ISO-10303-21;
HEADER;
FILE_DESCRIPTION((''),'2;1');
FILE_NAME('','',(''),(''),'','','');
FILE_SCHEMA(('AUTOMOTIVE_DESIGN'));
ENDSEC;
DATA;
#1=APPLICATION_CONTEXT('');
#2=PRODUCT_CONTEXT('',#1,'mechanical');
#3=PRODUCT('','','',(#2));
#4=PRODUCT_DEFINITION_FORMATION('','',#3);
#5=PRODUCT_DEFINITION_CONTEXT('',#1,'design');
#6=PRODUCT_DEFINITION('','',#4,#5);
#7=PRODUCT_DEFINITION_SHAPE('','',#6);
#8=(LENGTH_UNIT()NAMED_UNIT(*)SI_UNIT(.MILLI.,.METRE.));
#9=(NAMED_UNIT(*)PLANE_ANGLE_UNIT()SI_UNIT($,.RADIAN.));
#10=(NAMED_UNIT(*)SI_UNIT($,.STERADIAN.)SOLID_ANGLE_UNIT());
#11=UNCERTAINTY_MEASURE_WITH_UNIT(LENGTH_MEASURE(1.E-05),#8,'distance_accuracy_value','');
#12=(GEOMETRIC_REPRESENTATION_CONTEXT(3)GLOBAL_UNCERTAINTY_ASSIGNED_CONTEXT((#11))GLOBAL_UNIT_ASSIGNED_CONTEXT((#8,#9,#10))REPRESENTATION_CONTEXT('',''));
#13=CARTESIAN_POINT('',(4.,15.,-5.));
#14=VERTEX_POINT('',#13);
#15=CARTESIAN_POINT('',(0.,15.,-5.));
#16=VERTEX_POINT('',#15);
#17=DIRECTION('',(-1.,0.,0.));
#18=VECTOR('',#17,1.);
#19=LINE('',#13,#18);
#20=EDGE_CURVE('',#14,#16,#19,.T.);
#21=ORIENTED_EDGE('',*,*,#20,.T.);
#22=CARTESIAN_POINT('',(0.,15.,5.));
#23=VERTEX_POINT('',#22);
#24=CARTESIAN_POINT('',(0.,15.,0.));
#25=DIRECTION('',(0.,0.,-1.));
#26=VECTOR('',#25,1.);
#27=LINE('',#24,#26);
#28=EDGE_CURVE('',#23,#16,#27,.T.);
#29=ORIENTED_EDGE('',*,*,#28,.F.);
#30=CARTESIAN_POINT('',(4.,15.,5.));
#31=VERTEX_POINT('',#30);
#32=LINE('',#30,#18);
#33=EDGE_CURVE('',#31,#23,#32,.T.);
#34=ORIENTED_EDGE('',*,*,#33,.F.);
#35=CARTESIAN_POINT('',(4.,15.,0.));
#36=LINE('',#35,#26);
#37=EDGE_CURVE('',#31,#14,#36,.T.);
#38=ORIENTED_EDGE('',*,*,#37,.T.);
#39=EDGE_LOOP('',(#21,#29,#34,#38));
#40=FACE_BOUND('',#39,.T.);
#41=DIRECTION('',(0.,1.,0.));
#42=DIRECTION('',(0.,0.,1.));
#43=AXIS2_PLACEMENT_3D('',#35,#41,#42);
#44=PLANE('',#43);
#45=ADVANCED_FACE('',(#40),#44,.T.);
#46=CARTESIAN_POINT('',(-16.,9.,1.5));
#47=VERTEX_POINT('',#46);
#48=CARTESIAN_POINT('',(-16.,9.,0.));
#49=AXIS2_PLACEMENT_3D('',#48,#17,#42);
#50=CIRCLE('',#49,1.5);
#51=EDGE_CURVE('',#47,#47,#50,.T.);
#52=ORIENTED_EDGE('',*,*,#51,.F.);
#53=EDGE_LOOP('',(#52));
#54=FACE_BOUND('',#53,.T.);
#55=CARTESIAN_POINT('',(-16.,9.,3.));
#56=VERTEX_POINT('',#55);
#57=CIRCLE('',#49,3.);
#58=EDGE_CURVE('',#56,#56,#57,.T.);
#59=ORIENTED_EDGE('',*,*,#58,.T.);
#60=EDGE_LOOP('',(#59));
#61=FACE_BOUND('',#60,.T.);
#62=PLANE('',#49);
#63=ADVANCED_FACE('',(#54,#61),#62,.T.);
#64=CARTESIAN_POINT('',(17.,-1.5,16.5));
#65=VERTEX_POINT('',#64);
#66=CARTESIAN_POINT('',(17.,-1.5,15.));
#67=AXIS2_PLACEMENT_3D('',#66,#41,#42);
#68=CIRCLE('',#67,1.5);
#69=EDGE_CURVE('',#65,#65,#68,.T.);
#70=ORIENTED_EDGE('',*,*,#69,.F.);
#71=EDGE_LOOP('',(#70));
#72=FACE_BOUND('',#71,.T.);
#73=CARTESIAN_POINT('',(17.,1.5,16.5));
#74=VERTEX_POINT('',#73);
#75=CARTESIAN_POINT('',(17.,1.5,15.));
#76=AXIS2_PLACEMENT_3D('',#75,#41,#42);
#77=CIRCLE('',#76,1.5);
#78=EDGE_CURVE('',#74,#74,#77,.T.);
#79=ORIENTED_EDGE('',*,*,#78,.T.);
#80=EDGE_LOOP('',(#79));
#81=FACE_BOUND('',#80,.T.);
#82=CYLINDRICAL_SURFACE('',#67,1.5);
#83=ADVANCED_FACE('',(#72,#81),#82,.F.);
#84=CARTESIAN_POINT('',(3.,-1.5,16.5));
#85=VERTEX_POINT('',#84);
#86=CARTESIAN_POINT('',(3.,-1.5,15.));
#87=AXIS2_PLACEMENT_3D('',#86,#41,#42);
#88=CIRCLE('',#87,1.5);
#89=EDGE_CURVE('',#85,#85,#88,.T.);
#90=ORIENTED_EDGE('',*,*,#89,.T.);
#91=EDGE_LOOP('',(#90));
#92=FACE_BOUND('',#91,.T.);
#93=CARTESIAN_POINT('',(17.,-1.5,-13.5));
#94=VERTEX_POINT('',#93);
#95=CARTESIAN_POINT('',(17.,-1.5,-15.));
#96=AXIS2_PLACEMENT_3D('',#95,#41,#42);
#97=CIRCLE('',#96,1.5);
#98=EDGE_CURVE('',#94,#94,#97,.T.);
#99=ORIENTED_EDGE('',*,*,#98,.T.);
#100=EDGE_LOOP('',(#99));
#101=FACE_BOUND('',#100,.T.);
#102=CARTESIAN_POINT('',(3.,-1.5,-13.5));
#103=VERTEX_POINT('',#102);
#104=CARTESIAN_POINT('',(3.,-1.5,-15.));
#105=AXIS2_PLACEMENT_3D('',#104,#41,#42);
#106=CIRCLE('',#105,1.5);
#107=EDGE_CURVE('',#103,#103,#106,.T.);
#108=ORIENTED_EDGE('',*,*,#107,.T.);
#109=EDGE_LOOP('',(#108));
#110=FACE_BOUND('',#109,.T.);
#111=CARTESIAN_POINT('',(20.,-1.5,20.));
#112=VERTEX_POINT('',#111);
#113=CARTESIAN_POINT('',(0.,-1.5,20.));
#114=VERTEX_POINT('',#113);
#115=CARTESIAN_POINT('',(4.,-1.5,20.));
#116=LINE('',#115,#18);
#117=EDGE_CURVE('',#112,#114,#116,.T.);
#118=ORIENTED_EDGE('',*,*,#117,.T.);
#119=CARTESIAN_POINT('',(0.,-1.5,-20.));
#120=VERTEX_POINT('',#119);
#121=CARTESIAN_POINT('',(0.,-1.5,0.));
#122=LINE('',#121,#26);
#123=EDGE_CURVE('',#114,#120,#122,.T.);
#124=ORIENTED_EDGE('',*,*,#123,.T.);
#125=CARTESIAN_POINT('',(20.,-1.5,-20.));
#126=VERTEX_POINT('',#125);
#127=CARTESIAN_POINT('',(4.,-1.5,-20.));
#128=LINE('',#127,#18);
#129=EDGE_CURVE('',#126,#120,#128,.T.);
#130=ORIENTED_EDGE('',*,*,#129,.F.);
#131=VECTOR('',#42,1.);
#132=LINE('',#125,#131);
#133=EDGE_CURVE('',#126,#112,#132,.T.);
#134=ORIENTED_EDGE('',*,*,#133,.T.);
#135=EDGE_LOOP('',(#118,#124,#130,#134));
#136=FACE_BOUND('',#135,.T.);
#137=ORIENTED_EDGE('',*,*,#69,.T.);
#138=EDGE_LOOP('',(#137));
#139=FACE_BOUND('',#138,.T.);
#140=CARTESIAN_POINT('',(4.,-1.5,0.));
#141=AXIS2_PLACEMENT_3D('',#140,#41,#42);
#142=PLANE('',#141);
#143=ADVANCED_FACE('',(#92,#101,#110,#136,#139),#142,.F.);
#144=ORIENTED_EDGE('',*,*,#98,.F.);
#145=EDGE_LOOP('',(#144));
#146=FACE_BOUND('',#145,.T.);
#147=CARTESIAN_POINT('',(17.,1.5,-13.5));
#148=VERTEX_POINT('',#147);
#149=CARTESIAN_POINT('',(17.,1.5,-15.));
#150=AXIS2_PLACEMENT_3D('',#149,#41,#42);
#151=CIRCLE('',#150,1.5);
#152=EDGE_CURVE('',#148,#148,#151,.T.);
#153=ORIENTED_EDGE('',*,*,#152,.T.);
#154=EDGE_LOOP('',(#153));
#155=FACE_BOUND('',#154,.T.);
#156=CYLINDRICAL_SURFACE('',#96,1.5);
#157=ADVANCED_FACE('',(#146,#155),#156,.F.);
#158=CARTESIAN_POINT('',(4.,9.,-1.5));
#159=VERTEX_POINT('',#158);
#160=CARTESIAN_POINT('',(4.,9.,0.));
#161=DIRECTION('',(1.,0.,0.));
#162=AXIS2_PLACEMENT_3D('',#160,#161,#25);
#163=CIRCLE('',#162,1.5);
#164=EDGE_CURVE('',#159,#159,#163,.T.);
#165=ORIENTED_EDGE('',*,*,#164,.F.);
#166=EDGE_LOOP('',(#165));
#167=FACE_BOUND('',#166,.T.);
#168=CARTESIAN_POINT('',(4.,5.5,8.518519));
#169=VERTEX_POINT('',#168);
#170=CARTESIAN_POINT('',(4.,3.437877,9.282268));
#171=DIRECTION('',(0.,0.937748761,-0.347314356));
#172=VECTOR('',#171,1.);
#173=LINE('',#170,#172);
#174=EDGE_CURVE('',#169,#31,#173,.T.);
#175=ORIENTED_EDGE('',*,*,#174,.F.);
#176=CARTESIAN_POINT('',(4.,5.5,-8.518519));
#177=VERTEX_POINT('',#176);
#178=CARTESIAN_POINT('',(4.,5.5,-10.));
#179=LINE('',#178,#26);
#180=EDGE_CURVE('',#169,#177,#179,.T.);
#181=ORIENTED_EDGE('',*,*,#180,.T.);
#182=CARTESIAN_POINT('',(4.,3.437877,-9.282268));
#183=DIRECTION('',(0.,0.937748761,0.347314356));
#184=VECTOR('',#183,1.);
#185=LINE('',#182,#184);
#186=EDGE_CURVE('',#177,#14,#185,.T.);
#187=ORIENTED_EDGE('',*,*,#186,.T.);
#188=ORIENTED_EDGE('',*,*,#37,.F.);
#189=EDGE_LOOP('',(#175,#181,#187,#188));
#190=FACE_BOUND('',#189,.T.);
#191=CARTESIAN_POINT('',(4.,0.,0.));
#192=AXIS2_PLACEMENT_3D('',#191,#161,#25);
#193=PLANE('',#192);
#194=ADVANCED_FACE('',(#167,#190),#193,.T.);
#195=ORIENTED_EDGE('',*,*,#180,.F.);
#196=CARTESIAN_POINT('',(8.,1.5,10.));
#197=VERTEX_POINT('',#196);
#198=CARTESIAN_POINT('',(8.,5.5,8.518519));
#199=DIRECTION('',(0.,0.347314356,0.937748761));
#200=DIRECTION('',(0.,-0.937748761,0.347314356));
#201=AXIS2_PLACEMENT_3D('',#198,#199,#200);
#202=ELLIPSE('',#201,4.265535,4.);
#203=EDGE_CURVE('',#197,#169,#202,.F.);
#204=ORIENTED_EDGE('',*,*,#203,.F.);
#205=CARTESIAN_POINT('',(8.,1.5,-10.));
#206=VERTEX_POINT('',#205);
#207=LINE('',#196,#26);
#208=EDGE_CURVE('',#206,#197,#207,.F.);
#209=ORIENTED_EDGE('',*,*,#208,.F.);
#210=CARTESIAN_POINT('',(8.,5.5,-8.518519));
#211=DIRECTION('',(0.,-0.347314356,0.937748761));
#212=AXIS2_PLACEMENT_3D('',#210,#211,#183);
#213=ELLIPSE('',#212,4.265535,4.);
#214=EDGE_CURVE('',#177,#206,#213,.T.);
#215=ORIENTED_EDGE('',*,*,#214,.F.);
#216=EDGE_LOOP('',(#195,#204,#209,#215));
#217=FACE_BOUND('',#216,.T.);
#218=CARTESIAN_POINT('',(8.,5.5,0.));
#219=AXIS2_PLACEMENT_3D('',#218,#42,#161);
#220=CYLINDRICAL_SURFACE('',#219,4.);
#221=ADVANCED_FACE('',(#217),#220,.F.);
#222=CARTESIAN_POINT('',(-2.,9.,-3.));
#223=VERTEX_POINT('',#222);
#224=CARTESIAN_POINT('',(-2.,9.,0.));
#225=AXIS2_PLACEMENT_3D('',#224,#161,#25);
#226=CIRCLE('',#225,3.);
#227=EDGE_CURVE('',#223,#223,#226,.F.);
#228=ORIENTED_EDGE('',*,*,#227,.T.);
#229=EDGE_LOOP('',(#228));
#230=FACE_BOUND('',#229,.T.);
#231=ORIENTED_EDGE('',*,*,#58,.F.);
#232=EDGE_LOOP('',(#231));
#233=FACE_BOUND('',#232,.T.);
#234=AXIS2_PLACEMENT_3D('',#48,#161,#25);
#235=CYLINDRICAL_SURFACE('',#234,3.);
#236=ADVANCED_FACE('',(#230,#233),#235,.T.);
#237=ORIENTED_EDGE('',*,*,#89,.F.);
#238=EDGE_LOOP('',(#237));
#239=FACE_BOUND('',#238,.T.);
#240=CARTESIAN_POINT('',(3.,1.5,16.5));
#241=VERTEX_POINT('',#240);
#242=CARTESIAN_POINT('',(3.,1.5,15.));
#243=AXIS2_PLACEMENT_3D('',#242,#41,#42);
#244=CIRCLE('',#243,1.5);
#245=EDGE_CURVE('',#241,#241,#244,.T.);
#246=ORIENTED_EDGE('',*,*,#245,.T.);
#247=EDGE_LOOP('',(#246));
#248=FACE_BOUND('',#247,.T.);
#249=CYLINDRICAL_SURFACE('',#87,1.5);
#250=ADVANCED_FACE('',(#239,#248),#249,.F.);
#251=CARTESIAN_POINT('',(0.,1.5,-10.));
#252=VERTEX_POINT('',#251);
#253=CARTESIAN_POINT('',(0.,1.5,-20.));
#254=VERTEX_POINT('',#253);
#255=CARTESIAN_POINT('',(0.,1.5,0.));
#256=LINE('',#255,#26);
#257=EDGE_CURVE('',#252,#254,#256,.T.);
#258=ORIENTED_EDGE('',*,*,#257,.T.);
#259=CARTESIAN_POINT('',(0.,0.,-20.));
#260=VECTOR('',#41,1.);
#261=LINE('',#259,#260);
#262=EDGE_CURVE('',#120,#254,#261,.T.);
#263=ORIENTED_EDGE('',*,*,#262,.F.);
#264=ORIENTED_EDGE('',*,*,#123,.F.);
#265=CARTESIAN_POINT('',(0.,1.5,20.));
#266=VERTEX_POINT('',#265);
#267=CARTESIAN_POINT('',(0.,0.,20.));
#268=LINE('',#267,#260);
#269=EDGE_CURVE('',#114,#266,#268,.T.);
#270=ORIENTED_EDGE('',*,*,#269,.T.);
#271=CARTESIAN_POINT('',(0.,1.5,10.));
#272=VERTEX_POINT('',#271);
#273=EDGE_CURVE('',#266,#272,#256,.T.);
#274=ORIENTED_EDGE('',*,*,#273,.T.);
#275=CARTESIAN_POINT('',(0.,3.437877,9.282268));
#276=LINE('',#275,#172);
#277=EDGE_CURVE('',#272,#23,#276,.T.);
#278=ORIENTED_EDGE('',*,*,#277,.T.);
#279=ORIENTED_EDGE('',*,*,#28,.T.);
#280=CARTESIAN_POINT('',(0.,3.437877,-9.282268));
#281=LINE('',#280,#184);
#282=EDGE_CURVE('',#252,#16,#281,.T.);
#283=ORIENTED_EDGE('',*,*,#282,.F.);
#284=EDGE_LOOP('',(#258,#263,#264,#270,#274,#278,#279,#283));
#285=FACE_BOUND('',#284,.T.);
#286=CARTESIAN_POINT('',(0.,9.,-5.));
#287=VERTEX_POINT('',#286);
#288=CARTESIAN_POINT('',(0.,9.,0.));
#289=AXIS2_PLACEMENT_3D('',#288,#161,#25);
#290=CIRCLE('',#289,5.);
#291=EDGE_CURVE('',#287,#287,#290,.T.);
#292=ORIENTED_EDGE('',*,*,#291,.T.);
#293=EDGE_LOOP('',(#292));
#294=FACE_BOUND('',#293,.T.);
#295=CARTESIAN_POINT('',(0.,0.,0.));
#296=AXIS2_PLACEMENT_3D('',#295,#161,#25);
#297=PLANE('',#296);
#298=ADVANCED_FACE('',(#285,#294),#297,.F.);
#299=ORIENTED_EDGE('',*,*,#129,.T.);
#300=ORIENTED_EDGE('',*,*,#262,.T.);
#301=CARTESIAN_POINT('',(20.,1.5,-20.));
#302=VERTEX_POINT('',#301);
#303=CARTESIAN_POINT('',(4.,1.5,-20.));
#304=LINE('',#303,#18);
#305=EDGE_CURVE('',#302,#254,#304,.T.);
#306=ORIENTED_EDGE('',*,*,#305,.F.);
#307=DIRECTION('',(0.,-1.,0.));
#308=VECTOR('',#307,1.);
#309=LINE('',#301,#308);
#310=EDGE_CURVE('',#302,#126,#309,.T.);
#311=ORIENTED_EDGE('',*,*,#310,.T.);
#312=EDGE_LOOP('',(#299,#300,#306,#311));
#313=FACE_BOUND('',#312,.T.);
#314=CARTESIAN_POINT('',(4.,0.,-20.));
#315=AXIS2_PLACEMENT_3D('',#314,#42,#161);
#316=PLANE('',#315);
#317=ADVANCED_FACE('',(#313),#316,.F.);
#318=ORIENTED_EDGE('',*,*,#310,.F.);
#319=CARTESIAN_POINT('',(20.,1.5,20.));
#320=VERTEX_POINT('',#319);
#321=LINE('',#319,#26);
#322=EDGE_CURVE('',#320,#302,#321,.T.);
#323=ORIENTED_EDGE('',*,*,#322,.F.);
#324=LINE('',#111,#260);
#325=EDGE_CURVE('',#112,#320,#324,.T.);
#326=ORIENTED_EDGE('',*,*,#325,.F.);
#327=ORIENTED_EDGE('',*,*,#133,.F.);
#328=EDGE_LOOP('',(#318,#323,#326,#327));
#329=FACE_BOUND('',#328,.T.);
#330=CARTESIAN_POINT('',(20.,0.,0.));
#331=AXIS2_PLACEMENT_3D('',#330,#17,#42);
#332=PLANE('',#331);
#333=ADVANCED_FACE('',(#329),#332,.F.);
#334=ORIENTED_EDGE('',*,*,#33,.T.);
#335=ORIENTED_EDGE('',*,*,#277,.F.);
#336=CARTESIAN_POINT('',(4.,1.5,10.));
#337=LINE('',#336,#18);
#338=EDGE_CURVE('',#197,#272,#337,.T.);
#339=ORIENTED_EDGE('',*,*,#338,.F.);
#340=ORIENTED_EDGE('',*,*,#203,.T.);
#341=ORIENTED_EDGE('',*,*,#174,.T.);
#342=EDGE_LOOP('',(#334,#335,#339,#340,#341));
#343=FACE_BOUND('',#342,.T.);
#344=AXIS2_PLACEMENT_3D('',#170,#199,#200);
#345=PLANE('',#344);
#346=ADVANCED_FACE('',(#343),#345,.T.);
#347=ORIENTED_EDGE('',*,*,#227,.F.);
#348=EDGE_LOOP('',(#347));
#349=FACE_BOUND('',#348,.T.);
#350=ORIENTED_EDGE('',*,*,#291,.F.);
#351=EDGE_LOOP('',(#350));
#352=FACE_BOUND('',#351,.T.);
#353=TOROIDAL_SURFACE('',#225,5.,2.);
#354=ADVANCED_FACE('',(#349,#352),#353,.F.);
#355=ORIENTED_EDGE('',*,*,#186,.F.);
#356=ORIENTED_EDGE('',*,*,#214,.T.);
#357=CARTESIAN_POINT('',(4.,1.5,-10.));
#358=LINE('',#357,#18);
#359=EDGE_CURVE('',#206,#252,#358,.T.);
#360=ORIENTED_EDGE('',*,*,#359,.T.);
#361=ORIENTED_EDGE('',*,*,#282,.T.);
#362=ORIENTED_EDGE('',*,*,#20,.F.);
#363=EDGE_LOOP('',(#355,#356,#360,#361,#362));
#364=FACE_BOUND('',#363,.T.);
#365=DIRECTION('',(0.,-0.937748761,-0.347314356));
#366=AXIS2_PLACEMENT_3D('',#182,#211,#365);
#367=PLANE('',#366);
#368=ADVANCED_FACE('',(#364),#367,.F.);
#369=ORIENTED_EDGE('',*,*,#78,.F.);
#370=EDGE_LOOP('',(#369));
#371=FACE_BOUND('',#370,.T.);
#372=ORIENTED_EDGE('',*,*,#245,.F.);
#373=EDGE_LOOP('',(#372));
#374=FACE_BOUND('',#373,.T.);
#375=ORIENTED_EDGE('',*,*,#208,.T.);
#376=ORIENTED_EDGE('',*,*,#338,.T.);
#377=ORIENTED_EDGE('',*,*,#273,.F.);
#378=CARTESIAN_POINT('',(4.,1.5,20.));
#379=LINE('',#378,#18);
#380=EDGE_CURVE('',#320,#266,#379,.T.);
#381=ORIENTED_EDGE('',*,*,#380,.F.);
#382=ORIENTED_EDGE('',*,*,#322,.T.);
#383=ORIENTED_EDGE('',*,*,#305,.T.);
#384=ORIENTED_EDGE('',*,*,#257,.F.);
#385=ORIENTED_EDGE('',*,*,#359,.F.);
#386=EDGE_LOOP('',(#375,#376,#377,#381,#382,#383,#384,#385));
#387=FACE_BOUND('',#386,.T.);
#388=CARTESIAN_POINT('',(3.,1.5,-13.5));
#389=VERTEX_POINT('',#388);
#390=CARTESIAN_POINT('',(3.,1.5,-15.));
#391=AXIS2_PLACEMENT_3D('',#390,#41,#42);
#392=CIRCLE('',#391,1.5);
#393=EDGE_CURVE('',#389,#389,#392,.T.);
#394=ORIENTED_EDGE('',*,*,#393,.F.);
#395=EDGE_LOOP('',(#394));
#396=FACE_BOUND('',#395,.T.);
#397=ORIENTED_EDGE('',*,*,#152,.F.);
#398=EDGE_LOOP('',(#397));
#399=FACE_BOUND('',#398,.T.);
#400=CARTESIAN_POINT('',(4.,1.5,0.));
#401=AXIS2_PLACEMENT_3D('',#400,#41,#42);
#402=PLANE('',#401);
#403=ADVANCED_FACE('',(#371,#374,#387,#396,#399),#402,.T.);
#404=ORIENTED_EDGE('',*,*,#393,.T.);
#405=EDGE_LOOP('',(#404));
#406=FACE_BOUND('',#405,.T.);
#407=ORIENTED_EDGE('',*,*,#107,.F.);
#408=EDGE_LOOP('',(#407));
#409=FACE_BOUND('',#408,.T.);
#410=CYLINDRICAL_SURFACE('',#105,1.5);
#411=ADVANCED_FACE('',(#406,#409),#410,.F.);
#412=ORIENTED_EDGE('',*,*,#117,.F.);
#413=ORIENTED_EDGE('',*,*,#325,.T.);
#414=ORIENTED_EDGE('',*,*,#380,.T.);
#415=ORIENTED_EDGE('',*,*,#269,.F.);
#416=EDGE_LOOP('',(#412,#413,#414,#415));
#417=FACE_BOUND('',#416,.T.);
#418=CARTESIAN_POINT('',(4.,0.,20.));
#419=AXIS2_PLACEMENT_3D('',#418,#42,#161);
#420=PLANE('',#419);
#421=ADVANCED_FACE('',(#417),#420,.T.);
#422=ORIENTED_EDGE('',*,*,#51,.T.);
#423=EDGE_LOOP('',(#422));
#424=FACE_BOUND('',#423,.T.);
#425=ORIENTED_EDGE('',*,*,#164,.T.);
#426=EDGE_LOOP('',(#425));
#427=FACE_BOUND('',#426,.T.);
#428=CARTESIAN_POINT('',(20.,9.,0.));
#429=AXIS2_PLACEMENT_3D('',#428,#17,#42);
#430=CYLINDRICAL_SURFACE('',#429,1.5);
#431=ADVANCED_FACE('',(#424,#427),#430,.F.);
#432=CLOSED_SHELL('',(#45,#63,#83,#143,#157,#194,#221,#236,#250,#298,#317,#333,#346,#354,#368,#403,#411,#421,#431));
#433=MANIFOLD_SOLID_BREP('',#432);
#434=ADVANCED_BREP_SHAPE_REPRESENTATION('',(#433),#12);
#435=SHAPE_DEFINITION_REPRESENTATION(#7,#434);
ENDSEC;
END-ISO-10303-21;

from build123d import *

# Parameters (mm, degrees)
SKETCH2_W           = 40
SKETCH2_H           = 3
BOSS_EXTRUDE1_DEPTH = 4
SKETCH3_W           = 40
SKETCH3_H           = 3
BOSS_EXTRUDE2_DEPTH = 16
SKETCH4_R           = 3
BOSS_EXTRUDE3_DEPTH = 16
SKETCH5_R           = 1.5
CUT_EXTRUDE1_DEPTH  = 37
SKETCH6_R           = 1.5
CUT_EXTRUDE2_DEPTH  = 4
FILLET1_R           = 4
FILLET2_R           = 2


with BuildPart() as part:
    # Sketch2 → Boss-Extrude1 (new body)
    with BuildSketch(Plane(origin=(0, 0, 0), x_dir=(0, 0, -1), z_dir=(1, 0, 0))):
        Polygon((-5, 15), (-10, 1.5), (10, 1.5), (5, 15), align=None)
        Rectangle(SKETCH2_W, SKETCH2_H)
    extrude(amount=BOSS_EXTRUDE1_DEPTH)

    # Sketch3 → Boss-Extrude2 (add)
    with BuildSketch(Plane(origin=(4, 0, 0), x_dir=(0, 0, -1), z_dir=(1, 0, 0))):
        Rectangle(SKETCH3_W, SKETCH3_H)
    extrude(amount=BOSS_EXTRUDE2_DEPTH)

    # Sketch4 → Boss-Extrude3 (add)
    with BuildSketch(Plane.ZY):
        with Locations((0, 9)):
            Circle(SKETCH4_R)
    extrude(amount=BOSS_EXTRUDE3_DEPTH)

    # Sketch5 → Cut-Extrude1 (cut, through all)
    with BuildSketch(Plane.ZY.offset(16)):
        with Locations((0, 9)):
            Circle(SKETCH5_R)
    extrude(amount=-CUT_EXTRUDE1_DEPTH, mode=Mode.SUBTRACT)

    # Sketch6 → Cut-Extrude2 (cut, through all)
    with BuildSketch(Plane(origin=(0, 1.5, 0), x_dir=(1, 0, 0), z_dir=(0, 1, 0))):
        with BuildLine():
            ThreePointArc((18.5, 15), (17, 16.5), (15.5, 15))
            Line((15.5, 15), (17, 15))
            Line((17, 15), (17, 13.5))
            ThreePointArc((17, 13.5), (18.060660172, 13.939339828), (18.5, 15))
        make_face()
        with BuildLine():
            Line((17, 15), (15.5, 15))
            ThreePointArc((15.5, 15), (15.939339828, 13.939339828), (17, 13.5))
            Line((17, 13.5), (17, 15))
        make_face()
        with BuildLine():
            ThreePointArc((18.5, -15), (18.060660172, -13.939339828), (17, -13.5))
            Line((17, -13.5), (17, -15))
            Line((17, -15), (15.5, -15))
            ThreePointArc((15.5, -15), (17, -16.5), (18.5, -15))
        make_face()
        with BuildLine():
            Line((17, -15), (17, -13.5))
            ThreePointArc((17, -13.5), (15.939339828, -13.939339828), (15.5, -15))
            Line((15.5, -15), (17, -15))
        make_face()
        with BuildLine():
            ThreePointArc((4.5, -15), (4.060660172, -13.939339828), (3, -13.5))
            Line((3, -13.5), (3, -15))
            Line((3, -15), (4.5, -15))
        make_face()
        with BuildLine():
            Line((3, -15), (3, -13.5))
            ThreePointArc((3, -13.5), (1.939339828, -16.060660172), (4.5, -15))
            Line((4.5, -15), (3, -15))
        make_face()
        with Locations((3, 15)):
            Circle(SKETCH6_R)
    extrude(amount=-CUT_EXTRUDE2_DEPTH, mode=Mode.SUBTRACT)

    # Fillet1
    fillet1_edges = [part.edges().sort_by_distance(p)[0] for p in [
        (4, 1.5, 0),
    ]]
    fillet(fillet1_edges, radius=FILLET1_R)

    # Fillet2
    fillet2_edges = [part.edges().sort_by_distance(p)[0] for p in [
        (0, 9, -3),
    ]]
    fillet(fillet2_edges, radius=FILLET2_R)


solid = part.part
